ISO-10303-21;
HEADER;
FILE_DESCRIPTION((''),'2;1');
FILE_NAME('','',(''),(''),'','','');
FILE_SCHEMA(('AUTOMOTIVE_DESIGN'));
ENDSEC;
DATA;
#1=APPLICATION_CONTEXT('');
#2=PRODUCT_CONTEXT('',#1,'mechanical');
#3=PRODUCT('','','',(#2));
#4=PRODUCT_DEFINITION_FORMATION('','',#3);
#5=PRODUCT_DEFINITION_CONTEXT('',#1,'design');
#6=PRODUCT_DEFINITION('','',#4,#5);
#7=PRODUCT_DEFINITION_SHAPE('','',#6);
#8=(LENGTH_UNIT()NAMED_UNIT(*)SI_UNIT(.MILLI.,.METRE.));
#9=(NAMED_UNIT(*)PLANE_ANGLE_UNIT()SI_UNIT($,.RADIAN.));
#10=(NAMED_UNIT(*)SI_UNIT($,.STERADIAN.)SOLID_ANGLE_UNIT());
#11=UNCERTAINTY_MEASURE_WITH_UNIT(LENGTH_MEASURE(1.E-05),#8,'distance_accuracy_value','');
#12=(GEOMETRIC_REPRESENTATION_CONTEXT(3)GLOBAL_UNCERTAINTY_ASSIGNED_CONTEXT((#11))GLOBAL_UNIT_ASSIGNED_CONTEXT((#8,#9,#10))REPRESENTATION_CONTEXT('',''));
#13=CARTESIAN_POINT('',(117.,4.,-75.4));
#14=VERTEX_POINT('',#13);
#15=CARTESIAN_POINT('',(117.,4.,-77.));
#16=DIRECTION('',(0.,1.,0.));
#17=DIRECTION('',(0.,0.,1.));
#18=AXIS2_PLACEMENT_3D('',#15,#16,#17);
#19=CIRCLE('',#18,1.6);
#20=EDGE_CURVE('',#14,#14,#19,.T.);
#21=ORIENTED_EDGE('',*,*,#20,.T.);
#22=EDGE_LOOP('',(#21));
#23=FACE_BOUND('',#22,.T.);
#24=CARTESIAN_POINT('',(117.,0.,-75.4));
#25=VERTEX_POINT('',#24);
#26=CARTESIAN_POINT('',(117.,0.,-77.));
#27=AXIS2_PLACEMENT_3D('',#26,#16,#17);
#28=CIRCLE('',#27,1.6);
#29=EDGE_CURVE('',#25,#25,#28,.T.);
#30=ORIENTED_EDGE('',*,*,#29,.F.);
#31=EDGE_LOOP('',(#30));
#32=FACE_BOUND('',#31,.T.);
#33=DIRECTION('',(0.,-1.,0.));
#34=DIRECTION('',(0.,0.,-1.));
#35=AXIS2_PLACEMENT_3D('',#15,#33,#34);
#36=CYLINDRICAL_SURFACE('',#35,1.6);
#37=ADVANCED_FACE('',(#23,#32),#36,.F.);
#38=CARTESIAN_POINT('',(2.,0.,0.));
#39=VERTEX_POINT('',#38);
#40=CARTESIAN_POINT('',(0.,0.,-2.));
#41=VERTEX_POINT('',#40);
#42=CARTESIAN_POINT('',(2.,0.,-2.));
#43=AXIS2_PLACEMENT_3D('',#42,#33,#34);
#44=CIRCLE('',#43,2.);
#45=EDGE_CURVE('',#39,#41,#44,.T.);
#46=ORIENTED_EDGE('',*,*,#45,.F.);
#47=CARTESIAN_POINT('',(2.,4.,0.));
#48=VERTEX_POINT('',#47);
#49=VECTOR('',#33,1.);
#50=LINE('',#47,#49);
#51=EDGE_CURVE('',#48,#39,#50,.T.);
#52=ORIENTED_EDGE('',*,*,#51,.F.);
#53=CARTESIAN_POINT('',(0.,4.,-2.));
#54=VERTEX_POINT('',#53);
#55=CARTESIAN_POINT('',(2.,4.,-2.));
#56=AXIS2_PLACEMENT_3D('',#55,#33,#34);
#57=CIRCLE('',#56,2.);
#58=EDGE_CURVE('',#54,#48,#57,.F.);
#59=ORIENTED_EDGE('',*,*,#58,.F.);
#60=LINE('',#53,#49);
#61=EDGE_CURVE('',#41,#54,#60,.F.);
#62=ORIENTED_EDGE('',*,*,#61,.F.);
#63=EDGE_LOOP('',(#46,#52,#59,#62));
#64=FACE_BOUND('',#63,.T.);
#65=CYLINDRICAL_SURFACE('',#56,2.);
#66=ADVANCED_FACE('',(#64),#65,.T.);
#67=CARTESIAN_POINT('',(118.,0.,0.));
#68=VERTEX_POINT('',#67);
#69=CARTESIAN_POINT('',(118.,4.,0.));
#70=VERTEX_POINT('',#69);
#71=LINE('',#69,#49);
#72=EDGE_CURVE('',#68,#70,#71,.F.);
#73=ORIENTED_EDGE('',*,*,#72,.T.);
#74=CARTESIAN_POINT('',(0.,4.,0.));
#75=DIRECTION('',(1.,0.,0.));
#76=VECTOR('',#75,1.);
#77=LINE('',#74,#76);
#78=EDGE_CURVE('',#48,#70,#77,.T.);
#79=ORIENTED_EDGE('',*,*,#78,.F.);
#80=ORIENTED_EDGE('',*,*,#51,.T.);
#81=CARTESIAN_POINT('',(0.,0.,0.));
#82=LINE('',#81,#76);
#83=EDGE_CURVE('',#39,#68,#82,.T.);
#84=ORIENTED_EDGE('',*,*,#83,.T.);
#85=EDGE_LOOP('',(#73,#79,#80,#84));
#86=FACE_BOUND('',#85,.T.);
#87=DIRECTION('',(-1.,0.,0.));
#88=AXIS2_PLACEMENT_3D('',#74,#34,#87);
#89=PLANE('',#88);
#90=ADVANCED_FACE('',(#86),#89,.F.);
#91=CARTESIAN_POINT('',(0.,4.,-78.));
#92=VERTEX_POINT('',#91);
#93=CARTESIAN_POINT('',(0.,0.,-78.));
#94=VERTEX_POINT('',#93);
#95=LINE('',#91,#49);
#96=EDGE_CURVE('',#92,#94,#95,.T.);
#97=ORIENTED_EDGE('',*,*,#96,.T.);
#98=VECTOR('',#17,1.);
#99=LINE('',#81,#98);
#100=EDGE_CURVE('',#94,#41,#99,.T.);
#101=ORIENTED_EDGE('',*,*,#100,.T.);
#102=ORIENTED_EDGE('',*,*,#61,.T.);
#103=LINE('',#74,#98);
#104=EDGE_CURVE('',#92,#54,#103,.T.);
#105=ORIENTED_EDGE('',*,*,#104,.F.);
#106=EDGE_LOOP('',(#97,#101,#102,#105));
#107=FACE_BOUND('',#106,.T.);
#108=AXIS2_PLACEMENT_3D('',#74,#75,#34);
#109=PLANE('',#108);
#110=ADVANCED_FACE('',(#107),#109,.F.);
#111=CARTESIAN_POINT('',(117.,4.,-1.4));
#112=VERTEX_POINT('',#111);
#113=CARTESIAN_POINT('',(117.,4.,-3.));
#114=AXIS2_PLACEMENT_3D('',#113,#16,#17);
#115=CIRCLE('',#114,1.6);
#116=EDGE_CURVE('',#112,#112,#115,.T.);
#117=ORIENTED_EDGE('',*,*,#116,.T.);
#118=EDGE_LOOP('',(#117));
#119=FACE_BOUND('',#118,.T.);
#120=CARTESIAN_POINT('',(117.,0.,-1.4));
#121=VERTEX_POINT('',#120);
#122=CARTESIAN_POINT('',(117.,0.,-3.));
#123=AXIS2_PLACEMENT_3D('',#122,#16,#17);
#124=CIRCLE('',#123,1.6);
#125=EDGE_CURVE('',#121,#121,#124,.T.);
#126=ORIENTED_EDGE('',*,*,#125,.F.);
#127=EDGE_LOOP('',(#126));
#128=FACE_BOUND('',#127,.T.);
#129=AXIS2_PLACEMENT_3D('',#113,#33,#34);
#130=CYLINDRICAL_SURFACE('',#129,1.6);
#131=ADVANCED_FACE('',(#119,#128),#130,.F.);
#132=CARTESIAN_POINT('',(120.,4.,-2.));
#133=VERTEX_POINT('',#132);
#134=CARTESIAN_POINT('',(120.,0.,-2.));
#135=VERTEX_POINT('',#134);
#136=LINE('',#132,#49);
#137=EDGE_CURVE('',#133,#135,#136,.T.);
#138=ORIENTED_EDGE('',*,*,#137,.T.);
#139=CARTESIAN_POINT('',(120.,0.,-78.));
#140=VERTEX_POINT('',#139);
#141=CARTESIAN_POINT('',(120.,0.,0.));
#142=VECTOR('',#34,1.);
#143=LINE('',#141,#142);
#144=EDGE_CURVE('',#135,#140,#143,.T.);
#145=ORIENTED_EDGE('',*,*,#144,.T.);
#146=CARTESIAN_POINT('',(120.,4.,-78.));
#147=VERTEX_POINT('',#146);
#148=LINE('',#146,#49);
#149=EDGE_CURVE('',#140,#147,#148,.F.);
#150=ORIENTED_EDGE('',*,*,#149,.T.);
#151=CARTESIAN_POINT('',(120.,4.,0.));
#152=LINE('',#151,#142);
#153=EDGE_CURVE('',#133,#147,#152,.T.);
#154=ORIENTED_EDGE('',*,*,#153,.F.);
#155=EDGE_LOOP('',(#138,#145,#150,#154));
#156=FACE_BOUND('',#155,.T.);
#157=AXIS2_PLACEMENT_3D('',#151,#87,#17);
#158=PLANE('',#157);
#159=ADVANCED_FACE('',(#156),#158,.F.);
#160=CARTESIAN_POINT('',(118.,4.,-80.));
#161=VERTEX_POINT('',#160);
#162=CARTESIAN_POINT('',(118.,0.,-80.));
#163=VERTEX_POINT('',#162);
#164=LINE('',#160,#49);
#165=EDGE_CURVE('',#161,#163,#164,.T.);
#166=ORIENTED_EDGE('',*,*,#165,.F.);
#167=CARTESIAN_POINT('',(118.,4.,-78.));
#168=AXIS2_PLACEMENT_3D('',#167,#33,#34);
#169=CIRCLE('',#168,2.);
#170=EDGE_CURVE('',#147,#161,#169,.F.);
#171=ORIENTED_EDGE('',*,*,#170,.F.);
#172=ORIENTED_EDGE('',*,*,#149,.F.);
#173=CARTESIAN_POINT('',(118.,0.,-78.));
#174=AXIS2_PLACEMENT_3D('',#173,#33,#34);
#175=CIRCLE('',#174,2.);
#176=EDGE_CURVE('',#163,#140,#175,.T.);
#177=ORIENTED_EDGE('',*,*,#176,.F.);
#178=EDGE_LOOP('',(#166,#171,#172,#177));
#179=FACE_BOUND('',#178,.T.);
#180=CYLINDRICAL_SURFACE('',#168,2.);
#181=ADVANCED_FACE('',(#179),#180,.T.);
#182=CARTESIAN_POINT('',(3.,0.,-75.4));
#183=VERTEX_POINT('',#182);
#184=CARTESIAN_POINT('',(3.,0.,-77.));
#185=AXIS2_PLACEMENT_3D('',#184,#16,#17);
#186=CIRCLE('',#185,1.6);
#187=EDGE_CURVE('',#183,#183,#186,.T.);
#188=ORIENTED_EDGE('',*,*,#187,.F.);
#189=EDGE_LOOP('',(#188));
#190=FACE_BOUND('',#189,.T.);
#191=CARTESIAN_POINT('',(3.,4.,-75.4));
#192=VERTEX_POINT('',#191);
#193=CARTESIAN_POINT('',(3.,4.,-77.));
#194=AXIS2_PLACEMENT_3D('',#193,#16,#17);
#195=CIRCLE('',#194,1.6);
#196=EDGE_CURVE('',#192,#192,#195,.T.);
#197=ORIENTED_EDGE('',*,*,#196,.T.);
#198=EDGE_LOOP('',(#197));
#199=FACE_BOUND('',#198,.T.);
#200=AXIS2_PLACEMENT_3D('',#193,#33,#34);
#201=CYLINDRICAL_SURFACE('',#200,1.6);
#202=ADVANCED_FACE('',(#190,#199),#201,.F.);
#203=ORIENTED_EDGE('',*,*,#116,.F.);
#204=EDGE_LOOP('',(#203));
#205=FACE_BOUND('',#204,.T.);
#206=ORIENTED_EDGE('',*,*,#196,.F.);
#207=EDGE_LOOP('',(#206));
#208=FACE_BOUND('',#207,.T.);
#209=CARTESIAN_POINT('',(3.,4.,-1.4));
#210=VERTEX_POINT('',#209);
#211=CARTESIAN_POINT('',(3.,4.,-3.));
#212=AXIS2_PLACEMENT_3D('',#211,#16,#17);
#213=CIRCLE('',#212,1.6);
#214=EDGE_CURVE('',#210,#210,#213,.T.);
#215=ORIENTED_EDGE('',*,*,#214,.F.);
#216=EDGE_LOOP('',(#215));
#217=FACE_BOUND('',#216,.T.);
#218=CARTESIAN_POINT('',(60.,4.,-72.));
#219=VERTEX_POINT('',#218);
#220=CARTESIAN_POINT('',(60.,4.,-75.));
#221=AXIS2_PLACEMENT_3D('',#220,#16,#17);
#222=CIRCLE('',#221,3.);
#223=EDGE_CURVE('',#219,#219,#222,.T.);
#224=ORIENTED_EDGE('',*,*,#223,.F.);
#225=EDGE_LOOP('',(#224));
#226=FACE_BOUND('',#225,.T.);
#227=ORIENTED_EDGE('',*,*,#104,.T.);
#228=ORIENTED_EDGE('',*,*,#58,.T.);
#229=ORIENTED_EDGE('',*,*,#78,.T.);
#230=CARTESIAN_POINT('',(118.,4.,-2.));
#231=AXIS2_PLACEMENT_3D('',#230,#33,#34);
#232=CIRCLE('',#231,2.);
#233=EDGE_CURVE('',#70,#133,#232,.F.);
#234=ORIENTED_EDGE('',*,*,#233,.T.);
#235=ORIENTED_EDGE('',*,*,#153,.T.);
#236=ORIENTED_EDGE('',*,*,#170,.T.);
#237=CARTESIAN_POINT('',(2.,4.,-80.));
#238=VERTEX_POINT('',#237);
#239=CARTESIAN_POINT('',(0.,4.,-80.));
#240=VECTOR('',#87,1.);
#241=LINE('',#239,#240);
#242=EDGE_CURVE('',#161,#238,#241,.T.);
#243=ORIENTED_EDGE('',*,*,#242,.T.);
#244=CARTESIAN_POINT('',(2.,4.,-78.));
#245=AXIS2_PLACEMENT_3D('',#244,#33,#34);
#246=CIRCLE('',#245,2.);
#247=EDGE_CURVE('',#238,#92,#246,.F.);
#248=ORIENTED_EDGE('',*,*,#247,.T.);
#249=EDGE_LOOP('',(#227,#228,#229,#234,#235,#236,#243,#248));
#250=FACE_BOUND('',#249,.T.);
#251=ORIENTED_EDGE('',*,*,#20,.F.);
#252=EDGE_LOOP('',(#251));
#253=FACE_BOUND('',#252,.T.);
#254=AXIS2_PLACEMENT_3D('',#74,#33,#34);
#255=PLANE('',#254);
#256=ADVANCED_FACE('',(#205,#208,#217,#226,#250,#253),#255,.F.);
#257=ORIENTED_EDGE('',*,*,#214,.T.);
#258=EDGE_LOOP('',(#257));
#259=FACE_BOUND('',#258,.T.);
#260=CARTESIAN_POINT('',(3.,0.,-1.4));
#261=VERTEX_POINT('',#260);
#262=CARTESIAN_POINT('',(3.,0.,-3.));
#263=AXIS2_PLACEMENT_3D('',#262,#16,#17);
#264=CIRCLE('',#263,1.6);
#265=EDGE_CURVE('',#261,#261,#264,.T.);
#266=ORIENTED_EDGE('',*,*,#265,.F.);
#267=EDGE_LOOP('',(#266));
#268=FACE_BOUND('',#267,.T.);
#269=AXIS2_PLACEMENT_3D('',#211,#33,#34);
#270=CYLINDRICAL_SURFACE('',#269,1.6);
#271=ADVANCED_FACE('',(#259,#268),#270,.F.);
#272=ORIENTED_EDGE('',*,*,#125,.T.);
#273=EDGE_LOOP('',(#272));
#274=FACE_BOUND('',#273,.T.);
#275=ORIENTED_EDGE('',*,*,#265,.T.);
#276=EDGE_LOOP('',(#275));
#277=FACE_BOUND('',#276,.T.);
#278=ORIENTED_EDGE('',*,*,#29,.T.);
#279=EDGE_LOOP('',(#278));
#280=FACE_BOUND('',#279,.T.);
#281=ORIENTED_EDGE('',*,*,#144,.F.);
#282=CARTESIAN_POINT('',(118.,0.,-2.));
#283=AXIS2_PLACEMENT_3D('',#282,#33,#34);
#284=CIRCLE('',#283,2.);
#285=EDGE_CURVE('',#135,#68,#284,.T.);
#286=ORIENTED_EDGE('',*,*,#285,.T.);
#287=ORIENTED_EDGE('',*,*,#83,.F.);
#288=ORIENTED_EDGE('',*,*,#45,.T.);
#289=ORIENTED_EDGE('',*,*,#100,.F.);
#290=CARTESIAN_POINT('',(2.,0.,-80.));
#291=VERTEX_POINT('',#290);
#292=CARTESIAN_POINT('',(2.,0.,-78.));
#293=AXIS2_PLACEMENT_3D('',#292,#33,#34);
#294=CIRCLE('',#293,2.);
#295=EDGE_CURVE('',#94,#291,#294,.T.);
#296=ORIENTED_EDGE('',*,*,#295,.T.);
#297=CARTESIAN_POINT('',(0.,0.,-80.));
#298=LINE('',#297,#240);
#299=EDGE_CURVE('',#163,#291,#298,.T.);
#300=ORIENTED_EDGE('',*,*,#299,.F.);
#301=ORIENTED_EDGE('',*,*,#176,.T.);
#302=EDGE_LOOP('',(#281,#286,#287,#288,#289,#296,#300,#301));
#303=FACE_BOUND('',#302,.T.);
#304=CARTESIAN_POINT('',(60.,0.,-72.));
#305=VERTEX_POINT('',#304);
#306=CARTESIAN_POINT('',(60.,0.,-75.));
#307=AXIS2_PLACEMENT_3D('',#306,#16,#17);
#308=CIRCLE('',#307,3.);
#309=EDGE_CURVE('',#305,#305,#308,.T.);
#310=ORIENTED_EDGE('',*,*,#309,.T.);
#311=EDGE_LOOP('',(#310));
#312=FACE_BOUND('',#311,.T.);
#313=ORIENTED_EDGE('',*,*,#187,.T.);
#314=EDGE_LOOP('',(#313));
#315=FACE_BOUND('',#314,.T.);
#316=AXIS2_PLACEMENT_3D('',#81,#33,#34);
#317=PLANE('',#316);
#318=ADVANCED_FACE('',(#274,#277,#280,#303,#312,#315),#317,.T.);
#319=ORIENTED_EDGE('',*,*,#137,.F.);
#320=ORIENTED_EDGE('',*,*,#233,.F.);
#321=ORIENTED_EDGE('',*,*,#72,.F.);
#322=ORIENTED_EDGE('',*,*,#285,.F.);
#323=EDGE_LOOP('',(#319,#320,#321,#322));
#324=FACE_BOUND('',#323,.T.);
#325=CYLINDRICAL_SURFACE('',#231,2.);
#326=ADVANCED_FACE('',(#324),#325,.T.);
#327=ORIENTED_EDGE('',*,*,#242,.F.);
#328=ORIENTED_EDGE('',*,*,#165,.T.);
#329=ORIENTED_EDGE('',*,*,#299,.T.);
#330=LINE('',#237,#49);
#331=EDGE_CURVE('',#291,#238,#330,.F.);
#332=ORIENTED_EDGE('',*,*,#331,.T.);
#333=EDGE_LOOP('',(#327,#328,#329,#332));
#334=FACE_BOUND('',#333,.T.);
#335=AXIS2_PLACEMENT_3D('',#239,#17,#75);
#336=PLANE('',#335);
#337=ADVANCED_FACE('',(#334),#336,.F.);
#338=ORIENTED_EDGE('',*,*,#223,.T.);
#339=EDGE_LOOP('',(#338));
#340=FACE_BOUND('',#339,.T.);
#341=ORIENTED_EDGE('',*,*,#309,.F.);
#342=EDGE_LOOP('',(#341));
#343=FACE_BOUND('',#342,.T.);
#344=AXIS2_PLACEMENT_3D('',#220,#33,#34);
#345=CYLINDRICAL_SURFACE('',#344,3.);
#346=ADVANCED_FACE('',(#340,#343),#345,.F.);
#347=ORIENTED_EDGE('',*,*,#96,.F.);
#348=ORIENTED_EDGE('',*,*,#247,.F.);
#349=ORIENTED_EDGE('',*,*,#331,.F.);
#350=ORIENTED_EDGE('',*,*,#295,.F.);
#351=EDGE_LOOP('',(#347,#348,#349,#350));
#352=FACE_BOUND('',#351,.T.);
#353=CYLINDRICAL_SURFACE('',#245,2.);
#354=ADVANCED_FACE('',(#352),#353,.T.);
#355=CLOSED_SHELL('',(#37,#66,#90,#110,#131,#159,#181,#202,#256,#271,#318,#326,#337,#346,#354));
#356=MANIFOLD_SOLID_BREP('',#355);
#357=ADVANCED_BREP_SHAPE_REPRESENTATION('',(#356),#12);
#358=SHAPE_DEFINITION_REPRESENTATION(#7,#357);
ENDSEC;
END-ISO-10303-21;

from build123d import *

# Parameters (mm, degrees)
SKETCH1_W           = 120
SKETCH1_H           = 80
SKETCH1_R           = 1.6
SKETCH1_R_2         = 3
BOSS_EXTRUDE1_DEPTH = 4
FILLET1_R           = 2
FILLET2_R           = 2
FILLET3_R           = 2
FILLET4_R           = 2


with BuildPart() as part:
    # Sketch1 → Boss-Extrude1 (new body)
    with BuildSketch(Plane(origin=(0, 0, 0), x_dir=(1, 0, 0), z_dir=(0, 1, 0))):
        with Locations((60, 40)):
            Rectangle(SKETCH1_W, SKETCH1_H)
        with Locations((3, 77)):
            Circle(SKETCH1_R, mode=Mode.SUBTRACT)
        with Locations((3, 3)):
            Circle(SKETCH1_R, mode=Mode.SUBTRACT)
        with Locations((117, 77)):
            Circle(SKETCH1_R, mode=Mode.SUBTRACT)
        with Locations((117, 3)):
            Circle(SKETCH1_R, mode=Mode.SUBTRACT)
        with Locations((60, 75)):
            Circle(SKETCH1_R_2, mode=Mode.SUBTRACT)
    extrude(amount=BOSS_EXTRUDE1_DEPTH)

    # Fillet1
    fillet1_edges = [part.edges().sort_by_distance(p)[0] for p in [
        (0, 2, 0),
    ]]
    fillet(fillet1_edges, radius=FILLET1_R)

    # Fillet2
    fillet2_edges = [part.edges().sort_by_distance(p)[0] for p in [
        (120, 2, 0),
    ]]
    fillet(fillet2_edges, radius=FILLET2_R)

    # Fillet3
    fillet3_edges = [part.edges().sort_by_distance(p)[0] for p in [
        (120, 2, -80),
    ]]
    fillet(fillet3_edges, radius=FILLET3_R)

    # Fillet4
    fillet4_edges = [part.edges().sort_by_distance(p)[0] for p in [
        (0, 2, -80),
    ]]
    fillet(fillet4_edges, radius=FILLET4_R)


solid = part.part
